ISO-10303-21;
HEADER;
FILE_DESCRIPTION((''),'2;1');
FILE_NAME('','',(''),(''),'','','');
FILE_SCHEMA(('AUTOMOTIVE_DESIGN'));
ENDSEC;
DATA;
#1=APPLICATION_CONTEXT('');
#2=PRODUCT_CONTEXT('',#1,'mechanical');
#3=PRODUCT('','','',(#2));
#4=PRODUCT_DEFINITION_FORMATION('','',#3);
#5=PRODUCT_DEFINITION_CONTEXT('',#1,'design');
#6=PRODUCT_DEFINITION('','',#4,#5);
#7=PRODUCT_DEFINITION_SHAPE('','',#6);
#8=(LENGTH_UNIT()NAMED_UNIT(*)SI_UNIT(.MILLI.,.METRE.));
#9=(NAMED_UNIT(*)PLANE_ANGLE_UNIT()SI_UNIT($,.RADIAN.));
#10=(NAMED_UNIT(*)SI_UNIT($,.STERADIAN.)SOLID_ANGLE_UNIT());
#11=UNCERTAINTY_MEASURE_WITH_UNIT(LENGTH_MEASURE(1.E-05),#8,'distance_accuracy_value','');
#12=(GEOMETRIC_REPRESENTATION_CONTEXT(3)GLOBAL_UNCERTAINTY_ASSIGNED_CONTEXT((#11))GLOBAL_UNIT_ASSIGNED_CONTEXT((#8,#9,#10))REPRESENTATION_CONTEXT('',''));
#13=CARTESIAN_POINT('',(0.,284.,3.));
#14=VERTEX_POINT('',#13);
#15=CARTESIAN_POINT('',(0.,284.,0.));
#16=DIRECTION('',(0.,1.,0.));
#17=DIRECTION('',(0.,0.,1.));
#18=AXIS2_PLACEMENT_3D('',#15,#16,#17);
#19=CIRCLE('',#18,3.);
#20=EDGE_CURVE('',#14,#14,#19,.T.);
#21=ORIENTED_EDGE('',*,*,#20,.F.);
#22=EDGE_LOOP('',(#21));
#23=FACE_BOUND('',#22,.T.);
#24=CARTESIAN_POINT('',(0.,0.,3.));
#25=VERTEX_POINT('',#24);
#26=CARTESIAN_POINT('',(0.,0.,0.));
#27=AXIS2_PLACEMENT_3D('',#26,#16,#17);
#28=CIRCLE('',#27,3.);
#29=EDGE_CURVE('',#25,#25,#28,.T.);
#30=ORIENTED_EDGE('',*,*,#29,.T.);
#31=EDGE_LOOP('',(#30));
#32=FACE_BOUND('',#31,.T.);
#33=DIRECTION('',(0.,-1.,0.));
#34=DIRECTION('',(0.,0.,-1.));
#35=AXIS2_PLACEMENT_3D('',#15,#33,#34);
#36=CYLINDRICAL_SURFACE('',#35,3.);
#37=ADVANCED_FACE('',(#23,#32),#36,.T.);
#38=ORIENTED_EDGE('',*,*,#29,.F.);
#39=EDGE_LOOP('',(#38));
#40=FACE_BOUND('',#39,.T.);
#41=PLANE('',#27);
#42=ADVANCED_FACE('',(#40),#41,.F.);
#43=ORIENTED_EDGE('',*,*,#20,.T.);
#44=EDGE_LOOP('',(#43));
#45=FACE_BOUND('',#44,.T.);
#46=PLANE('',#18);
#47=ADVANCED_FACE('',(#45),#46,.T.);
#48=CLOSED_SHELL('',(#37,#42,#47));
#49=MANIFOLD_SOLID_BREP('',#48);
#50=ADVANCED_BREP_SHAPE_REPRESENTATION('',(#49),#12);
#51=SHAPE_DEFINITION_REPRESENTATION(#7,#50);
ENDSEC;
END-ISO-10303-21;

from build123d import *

# Parameters (mm, degrees)
ESQUISSE1_R      = 3
EXTRUSION1_DEPTH = 284


with BuildPart() as part:
    # Esquisse1 → Extrusion1 (new body)
    with BuildSketch(Plane(origin=(0, 0, 0), x_dir=(1, 0, 0), z_dir=(0, 1, 0))):
        with Locations(Location((0, 0, 0), (0, 0, 270))):  # turned: the seam where the file's is
            Circle(ESQUISSE1_R)
    extrude(amount=EXTRUSION1_DEPTH)


solid = part.part
